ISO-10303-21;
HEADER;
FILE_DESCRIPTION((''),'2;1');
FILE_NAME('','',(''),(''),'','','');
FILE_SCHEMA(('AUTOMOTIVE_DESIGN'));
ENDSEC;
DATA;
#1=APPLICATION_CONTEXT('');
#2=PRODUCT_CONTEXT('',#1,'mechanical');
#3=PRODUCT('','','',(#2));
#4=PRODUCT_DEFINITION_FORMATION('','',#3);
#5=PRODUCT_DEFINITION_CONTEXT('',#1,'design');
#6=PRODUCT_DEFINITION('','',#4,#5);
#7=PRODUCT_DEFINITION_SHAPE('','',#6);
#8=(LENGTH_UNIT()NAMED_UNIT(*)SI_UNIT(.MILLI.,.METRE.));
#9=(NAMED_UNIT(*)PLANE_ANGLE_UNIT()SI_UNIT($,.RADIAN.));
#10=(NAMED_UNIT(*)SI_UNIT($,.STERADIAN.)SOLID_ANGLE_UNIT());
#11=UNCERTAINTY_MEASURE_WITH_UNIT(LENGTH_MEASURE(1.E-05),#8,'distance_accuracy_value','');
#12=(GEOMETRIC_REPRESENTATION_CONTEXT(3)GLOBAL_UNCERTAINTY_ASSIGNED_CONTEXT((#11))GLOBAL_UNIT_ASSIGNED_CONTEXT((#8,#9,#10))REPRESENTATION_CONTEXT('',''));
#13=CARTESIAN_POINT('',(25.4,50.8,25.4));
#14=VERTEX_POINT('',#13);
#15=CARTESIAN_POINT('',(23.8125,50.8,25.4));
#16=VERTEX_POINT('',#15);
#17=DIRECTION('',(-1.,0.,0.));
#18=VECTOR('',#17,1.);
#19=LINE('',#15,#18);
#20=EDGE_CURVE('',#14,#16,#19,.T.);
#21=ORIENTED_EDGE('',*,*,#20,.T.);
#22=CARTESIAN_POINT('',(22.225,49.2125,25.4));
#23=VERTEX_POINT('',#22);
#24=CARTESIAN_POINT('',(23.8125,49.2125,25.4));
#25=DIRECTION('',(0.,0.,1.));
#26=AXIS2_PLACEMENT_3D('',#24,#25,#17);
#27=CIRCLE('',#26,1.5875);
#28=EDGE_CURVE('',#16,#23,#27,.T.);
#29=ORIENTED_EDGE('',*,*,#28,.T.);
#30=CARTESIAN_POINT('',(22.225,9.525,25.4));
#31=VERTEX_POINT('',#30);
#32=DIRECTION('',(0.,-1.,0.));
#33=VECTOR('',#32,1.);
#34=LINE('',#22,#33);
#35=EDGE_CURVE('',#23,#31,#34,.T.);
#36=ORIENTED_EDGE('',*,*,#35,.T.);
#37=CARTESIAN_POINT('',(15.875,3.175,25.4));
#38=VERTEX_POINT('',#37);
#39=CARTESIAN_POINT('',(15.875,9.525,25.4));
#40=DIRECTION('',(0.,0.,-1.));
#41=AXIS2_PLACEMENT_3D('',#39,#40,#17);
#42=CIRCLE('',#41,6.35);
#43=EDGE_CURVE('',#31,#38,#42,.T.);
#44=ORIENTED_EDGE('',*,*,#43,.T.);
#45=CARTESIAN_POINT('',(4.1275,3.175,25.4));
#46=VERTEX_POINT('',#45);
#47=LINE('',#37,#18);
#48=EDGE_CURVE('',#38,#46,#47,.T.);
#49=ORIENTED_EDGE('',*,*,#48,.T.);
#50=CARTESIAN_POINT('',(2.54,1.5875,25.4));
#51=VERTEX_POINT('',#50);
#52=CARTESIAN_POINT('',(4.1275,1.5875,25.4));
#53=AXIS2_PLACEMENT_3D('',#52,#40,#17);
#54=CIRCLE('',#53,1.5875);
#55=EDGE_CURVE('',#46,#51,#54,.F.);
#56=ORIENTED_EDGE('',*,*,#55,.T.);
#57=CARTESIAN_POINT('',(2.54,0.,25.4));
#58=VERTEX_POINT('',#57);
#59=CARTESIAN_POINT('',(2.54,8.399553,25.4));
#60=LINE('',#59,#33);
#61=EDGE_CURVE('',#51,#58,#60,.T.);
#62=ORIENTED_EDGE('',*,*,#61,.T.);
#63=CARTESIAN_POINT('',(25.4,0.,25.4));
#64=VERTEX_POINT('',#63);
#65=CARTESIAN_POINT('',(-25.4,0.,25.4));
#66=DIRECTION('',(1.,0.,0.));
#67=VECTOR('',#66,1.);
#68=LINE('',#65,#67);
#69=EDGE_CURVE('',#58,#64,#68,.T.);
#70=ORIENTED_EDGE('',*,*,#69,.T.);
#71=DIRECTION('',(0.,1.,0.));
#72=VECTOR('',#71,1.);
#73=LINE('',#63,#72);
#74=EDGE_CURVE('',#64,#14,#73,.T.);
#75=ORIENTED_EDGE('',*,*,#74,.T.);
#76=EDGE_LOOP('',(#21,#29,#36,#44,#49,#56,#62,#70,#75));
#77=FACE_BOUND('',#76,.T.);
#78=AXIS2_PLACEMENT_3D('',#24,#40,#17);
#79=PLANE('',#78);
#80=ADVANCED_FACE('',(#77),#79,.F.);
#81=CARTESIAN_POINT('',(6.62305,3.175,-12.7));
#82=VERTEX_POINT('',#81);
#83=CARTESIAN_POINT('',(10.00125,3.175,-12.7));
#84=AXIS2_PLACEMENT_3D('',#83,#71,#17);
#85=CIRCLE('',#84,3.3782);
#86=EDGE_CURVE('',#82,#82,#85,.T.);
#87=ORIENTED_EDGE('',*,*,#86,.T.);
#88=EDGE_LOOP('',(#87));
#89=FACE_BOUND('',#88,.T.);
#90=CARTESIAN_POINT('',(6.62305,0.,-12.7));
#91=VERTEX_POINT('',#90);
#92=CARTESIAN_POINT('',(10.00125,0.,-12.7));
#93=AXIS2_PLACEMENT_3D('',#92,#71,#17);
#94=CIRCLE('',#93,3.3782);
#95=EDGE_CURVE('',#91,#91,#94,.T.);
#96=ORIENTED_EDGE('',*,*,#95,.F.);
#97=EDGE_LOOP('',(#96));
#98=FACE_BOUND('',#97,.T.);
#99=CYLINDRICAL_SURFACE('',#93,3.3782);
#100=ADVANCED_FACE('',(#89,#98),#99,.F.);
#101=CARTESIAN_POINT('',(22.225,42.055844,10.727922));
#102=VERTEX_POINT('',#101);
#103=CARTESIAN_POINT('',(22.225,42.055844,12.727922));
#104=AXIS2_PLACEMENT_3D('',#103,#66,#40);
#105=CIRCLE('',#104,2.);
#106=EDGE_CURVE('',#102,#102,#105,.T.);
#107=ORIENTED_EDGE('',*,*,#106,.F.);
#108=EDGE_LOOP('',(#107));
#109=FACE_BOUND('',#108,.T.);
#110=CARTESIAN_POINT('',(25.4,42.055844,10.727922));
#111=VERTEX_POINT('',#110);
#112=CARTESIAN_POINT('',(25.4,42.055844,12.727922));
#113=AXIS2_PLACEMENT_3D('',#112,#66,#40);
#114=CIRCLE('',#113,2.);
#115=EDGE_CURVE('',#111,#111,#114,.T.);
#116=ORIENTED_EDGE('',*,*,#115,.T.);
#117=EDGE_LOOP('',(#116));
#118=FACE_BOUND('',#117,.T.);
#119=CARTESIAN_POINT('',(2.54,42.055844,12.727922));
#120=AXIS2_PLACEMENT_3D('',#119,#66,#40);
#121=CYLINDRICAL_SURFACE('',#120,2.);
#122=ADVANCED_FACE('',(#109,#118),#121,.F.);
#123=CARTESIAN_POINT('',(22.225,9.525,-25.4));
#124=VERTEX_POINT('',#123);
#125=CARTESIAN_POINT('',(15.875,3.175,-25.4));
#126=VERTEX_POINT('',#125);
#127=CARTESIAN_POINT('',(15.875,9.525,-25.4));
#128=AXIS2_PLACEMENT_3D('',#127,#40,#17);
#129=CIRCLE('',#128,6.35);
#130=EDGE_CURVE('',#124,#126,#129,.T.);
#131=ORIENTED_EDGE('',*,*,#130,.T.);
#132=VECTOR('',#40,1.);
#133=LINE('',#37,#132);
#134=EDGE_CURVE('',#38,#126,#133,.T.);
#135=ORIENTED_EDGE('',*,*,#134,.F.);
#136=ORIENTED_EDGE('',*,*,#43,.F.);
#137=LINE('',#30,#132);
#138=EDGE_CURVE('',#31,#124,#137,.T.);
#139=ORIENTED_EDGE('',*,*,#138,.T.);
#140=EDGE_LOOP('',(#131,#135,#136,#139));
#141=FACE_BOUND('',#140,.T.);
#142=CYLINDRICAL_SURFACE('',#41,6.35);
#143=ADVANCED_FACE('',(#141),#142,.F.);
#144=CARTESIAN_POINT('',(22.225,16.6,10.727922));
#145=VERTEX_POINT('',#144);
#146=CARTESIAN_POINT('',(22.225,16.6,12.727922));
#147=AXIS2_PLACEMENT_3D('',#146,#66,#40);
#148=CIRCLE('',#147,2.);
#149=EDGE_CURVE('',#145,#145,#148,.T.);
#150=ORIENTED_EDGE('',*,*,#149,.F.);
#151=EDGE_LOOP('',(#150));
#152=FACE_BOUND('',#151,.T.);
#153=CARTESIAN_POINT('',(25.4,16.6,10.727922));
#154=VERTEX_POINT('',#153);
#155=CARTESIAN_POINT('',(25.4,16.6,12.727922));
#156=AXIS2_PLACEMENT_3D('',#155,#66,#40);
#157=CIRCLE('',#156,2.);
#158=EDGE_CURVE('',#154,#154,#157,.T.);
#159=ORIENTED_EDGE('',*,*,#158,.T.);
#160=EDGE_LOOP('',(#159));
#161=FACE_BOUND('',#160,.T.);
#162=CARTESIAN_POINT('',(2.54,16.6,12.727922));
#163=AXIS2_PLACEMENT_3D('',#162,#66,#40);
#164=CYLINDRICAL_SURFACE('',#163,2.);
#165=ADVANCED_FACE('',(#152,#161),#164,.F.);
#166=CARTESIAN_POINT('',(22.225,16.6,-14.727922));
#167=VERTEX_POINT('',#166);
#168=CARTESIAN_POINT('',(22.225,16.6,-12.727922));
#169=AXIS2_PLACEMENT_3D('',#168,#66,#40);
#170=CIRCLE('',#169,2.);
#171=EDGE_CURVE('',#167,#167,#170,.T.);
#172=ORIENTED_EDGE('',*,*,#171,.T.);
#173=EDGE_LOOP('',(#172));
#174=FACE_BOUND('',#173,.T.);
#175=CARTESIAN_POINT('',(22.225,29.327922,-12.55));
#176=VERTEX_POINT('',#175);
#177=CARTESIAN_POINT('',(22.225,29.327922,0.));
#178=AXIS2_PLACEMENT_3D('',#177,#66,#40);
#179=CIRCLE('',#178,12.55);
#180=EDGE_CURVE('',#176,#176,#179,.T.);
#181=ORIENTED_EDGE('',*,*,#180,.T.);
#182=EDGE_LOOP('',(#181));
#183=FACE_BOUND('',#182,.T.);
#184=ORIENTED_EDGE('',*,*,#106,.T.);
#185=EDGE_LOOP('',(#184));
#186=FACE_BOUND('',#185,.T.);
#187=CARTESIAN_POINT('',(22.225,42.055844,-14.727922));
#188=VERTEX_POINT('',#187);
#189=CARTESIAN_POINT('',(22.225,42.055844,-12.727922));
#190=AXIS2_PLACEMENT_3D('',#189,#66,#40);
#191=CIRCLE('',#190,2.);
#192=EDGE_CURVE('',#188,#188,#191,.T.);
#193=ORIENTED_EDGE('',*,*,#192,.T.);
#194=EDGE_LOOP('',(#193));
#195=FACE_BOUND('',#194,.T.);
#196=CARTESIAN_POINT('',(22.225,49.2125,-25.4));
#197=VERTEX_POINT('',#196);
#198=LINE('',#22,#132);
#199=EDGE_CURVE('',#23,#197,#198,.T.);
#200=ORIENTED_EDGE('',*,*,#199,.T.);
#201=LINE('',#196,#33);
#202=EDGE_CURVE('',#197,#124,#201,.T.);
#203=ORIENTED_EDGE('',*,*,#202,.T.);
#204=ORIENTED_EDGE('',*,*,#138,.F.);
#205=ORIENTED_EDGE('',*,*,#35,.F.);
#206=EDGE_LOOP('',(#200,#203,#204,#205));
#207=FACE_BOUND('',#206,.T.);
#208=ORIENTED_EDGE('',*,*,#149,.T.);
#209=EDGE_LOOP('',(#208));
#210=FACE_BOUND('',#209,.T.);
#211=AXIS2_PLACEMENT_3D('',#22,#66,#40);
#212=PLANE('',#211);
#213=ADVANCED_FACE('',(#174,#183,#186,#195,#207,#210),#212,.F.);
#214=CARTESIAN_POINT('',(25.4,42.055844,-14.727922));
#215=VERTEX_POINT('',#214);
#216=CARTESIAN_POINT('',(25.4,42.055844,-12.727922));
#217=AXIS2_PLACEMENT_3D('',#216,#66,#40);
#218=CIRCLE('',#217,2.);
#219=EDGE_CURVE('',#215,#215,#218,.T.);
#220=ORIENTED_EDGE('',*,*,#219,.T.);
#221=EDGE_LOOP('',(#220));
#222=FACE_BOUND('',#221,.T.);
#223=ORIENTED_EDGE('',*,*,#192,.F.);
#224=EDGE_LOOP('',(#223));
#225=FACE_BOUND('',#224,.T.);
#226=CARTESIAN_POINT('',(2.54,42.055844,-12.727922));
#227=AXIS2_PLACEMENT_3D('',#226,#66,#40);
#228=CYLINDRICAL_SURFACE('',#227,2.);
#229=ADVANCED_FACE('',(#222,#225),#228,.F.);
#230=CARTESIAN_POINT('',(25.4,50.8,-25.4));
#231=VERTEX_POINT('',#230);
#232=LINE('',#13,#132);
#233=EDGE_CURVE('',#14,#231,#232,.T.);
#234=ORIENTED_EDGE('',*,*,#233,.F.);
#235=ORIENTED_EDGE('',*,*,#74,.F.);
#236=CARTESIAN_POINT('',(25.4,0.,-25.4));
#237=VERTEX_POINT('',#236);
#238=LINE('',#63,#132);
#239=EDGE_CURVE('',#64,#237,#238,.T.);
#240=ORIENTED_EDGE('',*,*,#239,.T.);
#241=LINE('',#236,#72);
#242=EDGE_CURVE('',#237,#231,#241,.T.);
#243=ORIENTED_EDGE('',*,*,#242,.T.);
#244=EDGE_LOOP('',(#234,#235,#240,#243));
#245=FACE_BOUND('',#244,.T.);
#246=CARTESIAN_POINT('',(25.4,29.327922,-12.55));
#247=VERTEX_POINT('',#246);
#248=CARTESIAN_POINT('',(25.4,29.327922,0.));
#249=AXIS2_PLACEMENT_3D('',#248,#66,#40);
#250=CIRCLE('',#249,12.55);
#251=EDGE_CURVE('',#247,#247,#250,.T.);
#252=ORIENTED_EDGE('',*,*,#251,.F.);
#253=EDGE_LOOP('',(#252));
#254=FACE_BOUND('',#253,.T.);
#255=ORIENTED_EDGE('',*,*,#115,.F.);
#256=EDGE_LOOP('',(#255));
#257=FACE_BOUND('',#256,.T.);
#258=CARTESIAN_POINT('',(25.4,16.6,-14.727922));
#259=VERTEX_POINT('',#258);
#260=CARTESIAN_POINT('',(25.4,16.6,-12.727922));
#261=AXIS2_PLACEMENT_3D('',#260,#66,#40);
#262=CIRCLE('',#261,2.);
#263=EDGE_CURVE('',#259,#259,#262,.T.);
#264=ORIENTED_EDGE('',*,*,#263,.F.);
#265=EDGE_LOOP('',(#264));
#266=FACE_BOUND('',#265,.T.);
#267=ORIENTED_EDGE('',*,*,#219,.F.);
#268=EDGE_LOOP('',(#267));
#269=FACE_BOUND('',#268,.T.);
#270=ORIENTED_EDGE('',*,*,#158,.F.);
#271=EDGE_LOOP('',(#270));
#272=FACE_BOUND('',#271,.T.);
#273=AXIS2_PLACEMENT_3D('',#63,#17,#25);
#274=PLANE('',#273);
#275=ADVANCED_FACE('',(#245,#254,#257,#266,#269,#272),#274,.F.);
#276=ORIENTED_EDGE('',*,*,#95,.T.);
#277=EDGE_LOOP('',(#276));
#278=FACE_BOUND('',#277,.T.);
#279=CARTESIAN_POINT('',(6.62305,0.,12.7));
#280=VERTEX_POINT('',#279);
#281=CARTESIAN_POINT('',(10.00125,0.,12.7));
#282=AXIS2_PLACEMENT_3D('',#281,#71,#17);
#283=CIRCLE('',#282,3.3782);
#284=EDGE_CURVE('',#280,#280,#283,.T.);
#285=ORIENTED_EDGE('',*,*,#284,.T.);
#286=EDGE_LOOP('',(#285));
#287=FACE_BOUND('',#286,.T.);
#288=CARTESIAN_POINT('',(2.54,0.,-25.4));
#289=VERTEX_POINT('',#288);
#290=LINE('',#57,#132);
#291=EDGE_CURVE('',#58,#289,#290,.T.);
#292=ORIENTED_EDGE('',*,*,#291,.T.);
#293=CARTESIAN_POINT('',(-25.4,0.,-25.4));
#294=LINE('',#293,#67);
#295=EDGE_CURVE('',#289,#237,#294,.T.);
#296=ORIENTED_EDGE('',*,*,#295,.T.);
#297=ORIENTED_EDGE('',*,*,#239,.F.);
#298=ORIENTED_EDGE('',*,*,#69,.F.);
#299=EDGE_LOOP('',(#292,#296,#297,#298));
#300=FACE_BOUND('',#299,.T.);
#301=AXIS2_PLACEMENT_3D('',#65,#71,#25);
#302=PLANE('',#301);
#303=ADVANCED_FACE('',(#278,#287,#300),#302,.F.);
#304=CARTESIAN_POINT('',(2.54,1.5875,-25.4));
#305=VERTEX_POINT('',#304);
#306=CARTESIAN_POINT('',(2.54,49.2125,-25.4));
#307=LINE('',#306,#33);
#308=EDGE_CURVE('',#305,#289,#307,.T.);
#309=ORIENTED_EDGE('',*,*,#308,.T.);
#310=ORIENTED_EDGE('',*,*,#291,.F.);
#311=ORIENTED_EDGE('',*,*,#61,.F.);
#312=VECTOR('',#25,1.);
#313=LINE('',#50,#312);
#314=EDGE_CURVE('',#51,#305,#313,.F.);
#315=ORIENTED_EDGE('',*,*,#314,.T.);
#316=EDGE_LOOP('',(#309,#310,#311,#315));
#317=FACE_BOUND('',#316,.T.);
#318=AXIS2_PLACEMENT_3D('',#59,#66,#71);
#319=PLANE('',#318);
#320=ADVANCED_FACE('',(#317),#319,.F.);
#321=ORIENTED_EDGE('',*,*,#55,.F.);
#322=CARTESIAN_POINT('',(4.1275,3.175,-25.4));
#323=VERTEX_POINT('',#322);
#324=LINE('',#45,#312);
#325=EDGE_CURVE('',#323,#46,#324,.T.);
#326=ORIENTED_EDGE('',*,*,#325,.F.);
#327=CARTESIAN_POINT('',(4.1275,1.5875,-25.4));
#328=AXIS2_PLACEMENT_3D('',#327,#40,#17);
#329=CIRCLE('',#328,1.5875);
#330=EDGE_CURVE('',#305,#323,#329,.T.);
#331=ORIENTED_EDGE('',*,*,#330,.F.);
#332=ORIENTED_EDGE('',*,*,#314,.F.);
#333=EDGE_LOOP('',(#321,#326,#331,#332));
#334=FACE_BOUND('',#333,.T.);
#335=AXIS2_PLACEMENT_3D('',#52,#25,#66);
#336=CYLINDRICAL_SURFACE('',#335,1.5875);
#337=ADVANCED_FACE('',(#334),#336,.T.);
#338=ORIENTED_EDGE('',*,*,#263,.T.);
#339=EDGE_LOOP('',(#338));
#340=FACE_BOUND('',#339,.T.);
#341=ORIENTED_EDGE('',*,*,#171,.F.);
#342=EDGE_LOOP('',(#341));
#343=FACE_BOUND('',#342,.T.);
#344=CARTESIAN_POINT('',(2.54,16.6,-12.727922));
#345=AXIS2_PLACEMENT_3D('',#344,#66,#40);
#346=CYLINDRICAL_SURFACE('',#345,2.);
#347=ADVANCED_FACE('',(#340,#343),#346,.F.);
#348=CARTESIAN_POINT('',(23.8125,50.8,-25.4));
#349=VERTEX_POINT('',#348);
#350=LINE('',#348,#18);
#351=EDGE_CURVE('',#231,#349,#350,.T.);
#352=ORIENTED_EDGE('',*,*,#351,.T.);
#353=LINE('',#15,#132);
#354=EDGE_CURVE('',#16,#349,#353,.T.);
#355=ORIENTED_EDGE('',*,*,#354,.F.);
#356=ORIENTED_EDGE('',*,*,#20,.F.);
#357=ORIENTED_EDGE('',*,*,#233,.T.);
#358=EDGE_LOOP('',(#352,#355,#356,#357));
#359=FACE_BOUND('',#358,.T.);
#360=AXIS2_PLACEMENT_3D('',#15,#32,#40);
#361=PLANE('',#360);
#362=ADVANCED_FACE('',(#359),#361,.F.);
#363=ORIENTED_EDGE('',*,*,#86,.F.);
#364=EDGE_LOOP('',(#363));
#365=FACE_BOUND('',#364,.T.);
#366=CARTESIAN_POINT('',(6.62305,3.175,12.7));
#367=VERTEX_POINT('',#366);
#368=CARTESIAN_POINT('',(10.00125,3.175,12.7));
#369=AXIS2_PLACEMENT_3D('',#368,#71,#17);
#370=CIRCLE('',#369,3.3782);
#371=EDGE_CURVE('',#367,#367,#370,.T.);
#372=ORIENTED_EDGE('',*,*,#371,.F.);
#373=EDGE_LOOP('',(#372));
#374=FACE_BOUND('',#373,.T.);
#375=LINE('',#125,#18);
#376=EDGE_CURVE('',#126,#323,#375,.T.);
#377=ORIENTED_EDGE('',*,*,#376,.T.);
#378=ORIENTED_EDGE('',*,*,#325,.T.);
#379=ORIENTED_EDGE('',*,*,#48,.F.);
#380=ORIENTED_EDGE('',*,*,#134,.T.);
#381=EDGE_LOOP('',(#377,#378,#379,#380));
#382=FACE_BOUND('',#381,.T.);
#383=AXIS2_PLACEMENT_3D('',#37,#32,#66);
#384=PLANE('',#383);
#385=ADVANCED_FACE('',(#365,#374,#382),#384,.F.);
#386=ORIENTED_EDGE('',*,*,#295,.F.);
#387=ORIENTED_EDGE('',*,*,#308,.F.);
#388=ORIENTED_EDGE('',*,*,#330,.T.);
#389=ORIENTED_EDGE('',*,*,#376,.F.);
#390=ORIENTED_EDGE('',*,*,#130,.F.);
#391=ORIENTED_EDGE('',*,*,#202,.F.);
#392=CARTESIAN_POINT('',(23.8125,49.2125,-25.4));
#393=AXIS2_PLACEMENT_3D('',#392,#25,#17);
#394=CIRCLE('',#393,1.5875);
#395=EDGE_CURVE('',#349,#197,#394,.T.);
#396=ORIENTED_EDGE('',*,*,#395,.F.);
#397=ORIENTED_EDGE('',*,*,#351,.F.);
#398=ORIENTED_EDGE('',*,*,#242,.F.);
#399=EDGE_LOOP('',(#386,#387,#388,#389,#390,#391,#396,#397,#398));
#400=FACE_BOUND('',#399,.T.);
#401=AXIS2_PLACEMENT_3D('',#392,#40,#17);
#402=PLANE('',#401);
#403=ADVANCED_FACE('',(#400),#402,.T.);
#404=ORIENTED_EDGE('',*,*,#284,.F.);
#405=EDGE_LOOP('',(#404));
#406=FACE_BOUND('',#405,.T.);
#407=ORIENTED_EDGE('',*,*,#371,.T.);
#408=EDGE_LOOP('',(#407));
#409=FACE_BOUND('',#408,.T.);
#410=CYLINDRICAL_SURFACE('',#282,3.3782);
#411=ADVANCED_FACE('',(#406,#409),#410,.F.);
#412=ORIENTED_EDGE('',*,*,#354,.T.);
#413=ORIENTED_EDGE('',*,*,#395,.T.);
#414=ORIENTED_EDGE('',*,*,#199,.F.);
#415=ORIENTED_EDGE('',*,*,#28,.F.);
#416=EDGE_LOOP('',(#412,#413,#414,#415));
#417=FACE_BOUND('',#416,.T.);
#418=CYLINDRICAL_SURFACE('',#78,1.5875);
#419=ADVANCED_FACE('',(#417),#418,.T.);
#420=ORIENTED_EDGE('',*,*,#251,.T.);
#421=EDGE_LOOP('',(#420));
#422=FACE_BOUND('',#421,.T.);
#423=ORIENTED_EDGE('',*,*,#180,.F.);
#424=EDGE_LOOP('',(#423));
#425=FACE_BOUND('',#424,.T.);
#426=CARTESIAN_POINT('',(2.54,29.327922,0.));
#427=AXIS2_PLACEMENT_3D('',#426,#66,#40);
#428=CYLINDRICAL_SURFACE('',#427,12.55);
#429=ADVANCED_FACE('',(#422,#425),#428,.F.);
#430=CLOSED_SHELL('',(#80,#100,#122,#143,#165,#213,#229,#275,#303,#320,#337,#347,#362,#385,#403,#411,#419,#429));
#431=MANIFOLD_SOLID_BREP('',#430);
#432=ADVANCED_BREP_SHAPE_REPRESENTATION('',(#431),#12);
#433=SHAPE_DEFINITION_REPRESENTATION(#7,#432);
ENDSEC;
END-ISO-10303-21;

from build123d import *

# Parameters (mm, degrees)
BOSS_EXTRUDE1_DEPTH = 25.4
SKETCH3_W           = 27.94
SKETCH3_H           = 13.830872484
CUT_EXTRUDE1_DEPTH  = 77.2
FILLET1_R           = 1.5875
SKETCH4_R           = 3.3782
CUT_EXTRUDE2_DEPTH  = 60.652834174
SKETCH5_R           = 2.000000064
SKETCH5_R_2         = 12.55
CUT_EXTRUDE3_DEPTH  = 62.224011629


with BuildPart() as part:
    # Sketch2 → Boss-Extrude1 (new, symmetric)
    with BuildSketch(Plane.XY):
        with BuildLine():
            Line((-25.4, 0), (25.4, 0))
            Line((25.4, 0), (25.4, 50.8))
            Line((25.4, 50.8), (23.8125, 50.8))
            ThreePointArc((23.8125, 50.8), (22.689967985, 50.335032015), (22.225, 49.2125))
            Line((22.225, 49.2125), (22.225, 9.525))
            ThreePointArc((22.225, 9.525), (20.365128061, 5.034871939), (15.875, 3.175))
            Line((15.875, 3.175), (-23.8125, 3.175))
            ThreePointArc((-23.8125, 3.175), (-24.935032015, 2.710032015), (-25.4, 1.5875))
            Line((-25.4, 1.5875), (-25.4, 0))
        make_face()
    extrude(amount=BOSS_EXTRUDE1_DEPTH, both=True)

    # Sketch3 → Cut-Extrude1 (cut, through all)
    with BuildSketch(Plane(origin=(0, 0, -25.4), x_dir=(-1, 0, 0), z_dir=(0, 0, -1))):
        with Locations((11.43, 1.484116331)):
            Rectangle(SKETCH3_W, SKETCH3_H)
    extrude(amount=-CUT_EXTRUDE1_DEPTH, mode=Mode.SUBTRACT)

    # Fillet1
    fillet1_edges = [part.edges().sort_by_distance(p)[0] for p in [
        (2.54, 3.175, 0),
    ]]
    fillet(fillet1_edges, radius=FILLET1_R)

    # Sketch4 → Cut-Extrude2 (cut, through all)
    with BuildSketch(Plane(origin=(0, 3.175, 0), x_dir=(1, 0, 0), z_dir=(0, 1, 0))):
        with Locations(Location((10.00125, 12.7, 0), (0, 0, 180))):
            Circle(SKETCH4_R)
        with Locations(Location((10.00125, -12.7, 0), (0, 0, 180))):
            Circle(SKETCH4_R)
    extrude(amount=-CUT_EXTRUDE2_DEPTH, mode=Mode.SUBTRACT)

    # Sketch5 → Cut-Extrude3 (cut, through all)
    with BuildSketch(Plane(origin=(25.4, 0, 0), x_dir=(0, 0, -1), z_dir=(1, 0, 0))):
        with Locations((12.72792202, 16.6)):
            Circle(SKETCH5_R)
        with Locations((-12.72792202, 16.6)):
            Circle(SKETCH5_R)
        with Locations((-12.72792202, 42.055844039)):
            Circle(SKETCH5_R)
        with Locations((12.72792202, 42.055844039)):
            Circle(SKETCH5_R)
        with Locations((0, 29.32792202)):
            Circle(SKETCH5_R_2)
    extrude(amount=-CUT_EXTRUDE3_DEPTH, mode=Mode.SUBTRACT)


solid = part.part
